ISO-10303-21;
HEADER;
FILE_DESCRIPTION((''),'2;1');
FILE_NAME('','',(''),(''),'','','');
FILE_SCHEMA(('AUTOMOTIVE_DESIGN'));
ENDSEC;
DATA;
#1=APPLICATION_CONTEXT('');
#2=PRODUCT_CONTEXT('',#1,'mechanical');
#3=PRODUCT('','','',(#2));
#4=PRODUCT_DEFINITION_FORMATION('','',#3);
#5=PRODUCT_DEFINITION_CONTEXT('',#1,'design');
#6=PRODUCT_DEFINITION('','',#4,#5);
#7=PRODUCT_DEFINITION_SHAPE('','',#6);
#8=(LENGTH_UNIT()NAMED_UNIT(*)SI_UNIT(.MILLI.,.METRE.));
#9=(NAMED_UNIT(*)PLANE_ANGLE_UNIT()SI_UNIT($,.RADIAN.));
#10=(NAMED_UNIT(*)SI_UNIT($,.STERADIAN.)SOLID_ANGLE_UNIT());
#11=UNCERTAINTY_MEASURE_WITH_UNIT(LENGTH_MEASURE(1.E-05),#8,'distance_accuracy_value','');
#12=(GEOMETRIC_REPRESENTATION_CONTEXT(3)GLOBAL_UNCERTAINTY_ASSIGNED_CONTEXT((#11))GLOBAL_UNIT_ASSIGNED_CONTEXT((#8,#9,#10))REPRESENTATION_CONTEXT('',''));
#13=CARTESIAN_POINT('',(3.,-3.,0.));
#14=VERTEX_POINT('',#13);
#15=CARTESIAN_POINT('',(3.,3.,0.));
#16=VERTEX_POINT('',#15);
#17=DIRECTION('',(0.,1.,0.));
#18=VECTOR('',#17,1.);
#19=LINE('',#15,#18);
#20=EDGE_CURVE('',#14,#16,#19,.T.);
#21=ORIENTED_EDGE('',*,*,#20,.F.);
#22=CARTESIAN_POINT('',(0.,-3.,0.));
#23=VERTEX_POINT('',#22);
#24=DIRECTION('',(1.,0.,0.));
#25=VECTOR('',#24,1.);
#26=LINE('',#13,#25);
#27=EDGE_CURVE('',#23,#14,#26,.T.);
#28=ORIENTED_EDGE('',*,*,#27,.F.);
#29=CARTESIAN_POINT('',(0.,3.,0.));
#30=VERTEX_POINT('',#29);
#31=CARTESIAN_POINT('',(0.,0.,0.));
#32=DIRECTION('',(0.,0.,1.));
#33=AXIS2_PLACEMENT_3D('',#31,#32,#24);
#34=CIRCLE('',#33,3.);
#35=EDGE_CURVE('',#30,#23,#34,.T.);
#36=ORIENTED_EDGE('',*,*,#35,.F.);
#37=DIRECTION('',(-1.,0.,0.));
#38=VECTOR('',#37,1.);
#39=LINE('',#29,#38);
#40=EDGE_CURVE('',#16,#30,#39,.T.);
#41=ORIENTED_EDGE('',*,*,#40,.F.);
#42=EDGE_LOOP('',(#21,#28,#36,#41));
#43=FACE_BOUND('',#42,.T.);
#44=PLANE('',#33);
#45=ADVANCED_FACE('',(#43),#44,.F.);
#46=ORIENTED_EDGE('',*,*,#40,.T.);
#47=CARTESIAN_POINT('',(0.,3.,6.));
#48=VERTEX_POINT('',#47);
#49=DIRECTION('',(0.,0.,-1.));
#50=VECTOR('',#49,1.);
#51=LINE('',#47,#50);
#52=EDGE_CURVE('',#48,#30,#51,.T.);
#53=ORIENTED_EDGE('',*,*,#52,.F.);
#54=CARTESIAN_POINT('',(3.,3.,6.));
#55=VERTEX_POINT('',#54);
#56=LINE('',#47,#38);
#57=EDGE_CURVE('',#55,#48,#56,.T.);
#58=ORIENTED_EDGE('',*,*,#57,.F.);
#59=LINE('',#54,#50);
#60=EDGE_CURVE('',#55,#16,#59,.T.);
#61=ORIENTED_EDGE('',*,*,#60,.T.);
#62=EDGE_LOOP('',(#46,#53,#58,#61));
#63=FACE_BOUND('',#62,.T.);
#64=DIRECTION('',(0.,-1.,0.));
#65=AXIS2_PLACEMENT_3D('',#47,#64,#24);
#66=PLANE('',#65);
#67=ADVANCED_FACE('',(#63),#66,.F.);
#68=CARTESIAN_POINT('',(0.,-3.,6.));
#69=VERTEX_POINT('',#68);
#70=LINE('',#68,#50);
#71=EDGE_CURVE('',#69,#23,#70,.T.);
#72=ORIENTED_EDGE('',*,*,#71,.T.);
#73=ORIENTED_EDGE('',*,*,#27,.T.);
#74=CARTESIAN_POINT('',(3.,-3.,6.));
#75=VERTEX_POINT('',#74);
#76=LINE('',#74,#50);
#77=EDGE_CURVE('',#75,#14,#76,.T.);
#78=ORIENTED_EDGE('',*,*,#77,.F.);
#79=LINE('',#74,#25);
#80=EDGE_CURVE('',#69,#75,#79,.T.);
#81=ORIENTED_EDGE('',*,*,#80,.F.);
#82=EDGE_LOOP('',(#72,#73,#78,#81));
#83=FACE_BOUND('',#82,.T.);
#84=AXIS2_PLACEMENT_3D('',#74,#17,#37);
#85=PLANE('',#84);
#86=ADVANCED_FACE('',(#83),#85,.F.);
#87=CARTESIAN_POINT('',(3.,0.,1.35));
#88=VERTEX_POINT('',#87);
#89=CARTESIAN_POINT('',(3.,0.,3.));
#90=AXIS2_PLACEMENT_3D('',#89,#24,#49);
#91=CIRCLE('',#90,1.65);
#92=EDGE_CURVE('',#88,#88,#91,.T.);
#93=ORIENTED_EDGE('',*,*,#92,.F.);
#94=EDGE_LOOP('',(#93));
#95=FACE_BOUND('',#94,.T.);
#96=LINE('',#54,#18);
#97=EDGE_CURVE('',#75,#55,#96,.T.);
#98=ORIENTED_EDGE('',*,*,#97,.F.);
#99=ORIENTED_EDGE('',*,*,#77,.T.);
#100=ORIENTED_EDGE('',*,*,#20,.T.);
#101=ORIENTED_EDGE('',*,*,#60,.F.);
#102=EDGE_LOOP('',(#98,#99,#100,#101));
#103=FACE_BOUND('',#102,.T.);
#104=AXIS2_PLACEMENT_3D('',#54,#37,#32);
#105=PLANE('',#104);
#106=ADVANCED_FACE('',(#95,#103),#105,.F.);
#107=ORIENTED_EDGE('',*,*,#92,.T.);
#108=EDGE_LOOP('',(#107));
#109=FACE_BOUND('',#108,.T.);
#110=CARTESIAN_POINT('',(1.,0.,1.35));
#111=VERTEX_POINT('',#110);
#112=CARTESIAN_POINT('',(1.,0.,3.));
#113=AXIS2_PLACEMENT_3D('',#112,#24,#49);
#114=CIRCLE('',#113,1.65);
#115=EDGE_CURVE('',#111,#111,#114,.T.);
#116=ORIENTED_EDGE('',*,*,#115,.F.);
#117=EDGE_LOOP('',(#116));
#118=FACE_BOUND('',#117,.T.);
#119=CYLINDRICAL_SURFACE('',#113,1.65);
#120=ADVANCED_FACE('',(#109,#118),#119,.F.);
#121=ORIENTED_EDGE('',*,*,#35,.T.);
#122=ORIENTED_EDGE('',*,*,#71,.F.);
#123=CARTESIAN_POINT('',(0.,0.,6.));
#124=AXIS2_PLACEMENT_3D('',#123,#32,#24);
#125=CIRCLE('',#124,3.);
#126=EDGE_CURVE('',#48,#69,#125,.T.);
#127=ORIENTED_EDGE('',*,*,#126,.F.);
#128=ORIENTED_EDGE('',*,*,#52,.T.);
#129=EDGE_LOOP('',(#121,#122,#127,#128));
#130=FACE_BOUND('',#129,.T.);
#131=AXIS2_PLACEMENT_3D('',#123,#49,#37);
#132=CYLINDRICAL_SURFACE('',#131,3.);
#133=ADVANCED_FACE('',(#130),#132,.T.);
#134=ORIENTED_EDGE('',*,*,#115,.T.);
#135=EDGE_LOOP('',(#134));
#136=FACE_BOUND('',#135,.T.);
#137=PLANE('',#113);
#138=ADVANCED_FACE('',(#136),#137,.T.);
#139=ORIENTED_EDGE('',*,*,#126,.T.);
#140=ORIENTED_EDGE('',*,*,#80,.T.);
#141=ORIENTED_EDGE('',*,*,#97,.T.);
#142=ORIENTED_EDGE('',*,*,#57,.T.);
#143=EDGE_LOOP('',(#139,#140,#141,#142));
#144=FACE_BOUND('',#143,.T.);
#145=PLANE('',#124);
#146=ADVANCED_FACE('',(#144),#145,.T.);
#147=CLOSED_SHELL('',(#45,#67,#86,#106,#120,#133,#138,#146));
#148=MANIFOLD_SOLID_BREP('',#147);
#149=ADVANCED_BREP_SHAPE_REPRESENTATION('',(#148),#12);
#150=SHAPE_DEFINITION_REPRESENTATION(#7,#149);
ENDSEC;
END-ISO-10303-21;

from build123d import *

# Parameters (mm, degrees)
RESSALTO_EXTRUS_O1_DEPTH = 6
ESBO_O3_R                = 1.65
CORTE_EXTRUS_O1_DEPTH    = 2


with BuildPart() as part:
    # Esboço1 → Ressalto-extrusão1 (new body)
    with BuildSketch(Plane.XY):
        with BuildLine():
            Line((0, 3), (3, 3))
            Line((3, 3), (3, -3))
            Line((3, -3), (0, -3))
            ThreePointArc((0, -3), (-3, 0), (0, 3))
        make_face()
    extrude(amount=RESSALTO_EXTRUS_O1_DEPTH)

    # Esboço3 → Corte-extrusão1 (cut)
    with BuildSketch(Plane(origin=(3, 0, 0), x_dir=(0, 0, -1), z_dir=(1, 0, 0))):
        with Locations((-3, 0)):
            Circle(ESBO_O3_R)
    extrude(amount=-CORTE_EXTRUS_O1_DEPTH, mode=Mode.SUBTRACT)


solid = part.part
